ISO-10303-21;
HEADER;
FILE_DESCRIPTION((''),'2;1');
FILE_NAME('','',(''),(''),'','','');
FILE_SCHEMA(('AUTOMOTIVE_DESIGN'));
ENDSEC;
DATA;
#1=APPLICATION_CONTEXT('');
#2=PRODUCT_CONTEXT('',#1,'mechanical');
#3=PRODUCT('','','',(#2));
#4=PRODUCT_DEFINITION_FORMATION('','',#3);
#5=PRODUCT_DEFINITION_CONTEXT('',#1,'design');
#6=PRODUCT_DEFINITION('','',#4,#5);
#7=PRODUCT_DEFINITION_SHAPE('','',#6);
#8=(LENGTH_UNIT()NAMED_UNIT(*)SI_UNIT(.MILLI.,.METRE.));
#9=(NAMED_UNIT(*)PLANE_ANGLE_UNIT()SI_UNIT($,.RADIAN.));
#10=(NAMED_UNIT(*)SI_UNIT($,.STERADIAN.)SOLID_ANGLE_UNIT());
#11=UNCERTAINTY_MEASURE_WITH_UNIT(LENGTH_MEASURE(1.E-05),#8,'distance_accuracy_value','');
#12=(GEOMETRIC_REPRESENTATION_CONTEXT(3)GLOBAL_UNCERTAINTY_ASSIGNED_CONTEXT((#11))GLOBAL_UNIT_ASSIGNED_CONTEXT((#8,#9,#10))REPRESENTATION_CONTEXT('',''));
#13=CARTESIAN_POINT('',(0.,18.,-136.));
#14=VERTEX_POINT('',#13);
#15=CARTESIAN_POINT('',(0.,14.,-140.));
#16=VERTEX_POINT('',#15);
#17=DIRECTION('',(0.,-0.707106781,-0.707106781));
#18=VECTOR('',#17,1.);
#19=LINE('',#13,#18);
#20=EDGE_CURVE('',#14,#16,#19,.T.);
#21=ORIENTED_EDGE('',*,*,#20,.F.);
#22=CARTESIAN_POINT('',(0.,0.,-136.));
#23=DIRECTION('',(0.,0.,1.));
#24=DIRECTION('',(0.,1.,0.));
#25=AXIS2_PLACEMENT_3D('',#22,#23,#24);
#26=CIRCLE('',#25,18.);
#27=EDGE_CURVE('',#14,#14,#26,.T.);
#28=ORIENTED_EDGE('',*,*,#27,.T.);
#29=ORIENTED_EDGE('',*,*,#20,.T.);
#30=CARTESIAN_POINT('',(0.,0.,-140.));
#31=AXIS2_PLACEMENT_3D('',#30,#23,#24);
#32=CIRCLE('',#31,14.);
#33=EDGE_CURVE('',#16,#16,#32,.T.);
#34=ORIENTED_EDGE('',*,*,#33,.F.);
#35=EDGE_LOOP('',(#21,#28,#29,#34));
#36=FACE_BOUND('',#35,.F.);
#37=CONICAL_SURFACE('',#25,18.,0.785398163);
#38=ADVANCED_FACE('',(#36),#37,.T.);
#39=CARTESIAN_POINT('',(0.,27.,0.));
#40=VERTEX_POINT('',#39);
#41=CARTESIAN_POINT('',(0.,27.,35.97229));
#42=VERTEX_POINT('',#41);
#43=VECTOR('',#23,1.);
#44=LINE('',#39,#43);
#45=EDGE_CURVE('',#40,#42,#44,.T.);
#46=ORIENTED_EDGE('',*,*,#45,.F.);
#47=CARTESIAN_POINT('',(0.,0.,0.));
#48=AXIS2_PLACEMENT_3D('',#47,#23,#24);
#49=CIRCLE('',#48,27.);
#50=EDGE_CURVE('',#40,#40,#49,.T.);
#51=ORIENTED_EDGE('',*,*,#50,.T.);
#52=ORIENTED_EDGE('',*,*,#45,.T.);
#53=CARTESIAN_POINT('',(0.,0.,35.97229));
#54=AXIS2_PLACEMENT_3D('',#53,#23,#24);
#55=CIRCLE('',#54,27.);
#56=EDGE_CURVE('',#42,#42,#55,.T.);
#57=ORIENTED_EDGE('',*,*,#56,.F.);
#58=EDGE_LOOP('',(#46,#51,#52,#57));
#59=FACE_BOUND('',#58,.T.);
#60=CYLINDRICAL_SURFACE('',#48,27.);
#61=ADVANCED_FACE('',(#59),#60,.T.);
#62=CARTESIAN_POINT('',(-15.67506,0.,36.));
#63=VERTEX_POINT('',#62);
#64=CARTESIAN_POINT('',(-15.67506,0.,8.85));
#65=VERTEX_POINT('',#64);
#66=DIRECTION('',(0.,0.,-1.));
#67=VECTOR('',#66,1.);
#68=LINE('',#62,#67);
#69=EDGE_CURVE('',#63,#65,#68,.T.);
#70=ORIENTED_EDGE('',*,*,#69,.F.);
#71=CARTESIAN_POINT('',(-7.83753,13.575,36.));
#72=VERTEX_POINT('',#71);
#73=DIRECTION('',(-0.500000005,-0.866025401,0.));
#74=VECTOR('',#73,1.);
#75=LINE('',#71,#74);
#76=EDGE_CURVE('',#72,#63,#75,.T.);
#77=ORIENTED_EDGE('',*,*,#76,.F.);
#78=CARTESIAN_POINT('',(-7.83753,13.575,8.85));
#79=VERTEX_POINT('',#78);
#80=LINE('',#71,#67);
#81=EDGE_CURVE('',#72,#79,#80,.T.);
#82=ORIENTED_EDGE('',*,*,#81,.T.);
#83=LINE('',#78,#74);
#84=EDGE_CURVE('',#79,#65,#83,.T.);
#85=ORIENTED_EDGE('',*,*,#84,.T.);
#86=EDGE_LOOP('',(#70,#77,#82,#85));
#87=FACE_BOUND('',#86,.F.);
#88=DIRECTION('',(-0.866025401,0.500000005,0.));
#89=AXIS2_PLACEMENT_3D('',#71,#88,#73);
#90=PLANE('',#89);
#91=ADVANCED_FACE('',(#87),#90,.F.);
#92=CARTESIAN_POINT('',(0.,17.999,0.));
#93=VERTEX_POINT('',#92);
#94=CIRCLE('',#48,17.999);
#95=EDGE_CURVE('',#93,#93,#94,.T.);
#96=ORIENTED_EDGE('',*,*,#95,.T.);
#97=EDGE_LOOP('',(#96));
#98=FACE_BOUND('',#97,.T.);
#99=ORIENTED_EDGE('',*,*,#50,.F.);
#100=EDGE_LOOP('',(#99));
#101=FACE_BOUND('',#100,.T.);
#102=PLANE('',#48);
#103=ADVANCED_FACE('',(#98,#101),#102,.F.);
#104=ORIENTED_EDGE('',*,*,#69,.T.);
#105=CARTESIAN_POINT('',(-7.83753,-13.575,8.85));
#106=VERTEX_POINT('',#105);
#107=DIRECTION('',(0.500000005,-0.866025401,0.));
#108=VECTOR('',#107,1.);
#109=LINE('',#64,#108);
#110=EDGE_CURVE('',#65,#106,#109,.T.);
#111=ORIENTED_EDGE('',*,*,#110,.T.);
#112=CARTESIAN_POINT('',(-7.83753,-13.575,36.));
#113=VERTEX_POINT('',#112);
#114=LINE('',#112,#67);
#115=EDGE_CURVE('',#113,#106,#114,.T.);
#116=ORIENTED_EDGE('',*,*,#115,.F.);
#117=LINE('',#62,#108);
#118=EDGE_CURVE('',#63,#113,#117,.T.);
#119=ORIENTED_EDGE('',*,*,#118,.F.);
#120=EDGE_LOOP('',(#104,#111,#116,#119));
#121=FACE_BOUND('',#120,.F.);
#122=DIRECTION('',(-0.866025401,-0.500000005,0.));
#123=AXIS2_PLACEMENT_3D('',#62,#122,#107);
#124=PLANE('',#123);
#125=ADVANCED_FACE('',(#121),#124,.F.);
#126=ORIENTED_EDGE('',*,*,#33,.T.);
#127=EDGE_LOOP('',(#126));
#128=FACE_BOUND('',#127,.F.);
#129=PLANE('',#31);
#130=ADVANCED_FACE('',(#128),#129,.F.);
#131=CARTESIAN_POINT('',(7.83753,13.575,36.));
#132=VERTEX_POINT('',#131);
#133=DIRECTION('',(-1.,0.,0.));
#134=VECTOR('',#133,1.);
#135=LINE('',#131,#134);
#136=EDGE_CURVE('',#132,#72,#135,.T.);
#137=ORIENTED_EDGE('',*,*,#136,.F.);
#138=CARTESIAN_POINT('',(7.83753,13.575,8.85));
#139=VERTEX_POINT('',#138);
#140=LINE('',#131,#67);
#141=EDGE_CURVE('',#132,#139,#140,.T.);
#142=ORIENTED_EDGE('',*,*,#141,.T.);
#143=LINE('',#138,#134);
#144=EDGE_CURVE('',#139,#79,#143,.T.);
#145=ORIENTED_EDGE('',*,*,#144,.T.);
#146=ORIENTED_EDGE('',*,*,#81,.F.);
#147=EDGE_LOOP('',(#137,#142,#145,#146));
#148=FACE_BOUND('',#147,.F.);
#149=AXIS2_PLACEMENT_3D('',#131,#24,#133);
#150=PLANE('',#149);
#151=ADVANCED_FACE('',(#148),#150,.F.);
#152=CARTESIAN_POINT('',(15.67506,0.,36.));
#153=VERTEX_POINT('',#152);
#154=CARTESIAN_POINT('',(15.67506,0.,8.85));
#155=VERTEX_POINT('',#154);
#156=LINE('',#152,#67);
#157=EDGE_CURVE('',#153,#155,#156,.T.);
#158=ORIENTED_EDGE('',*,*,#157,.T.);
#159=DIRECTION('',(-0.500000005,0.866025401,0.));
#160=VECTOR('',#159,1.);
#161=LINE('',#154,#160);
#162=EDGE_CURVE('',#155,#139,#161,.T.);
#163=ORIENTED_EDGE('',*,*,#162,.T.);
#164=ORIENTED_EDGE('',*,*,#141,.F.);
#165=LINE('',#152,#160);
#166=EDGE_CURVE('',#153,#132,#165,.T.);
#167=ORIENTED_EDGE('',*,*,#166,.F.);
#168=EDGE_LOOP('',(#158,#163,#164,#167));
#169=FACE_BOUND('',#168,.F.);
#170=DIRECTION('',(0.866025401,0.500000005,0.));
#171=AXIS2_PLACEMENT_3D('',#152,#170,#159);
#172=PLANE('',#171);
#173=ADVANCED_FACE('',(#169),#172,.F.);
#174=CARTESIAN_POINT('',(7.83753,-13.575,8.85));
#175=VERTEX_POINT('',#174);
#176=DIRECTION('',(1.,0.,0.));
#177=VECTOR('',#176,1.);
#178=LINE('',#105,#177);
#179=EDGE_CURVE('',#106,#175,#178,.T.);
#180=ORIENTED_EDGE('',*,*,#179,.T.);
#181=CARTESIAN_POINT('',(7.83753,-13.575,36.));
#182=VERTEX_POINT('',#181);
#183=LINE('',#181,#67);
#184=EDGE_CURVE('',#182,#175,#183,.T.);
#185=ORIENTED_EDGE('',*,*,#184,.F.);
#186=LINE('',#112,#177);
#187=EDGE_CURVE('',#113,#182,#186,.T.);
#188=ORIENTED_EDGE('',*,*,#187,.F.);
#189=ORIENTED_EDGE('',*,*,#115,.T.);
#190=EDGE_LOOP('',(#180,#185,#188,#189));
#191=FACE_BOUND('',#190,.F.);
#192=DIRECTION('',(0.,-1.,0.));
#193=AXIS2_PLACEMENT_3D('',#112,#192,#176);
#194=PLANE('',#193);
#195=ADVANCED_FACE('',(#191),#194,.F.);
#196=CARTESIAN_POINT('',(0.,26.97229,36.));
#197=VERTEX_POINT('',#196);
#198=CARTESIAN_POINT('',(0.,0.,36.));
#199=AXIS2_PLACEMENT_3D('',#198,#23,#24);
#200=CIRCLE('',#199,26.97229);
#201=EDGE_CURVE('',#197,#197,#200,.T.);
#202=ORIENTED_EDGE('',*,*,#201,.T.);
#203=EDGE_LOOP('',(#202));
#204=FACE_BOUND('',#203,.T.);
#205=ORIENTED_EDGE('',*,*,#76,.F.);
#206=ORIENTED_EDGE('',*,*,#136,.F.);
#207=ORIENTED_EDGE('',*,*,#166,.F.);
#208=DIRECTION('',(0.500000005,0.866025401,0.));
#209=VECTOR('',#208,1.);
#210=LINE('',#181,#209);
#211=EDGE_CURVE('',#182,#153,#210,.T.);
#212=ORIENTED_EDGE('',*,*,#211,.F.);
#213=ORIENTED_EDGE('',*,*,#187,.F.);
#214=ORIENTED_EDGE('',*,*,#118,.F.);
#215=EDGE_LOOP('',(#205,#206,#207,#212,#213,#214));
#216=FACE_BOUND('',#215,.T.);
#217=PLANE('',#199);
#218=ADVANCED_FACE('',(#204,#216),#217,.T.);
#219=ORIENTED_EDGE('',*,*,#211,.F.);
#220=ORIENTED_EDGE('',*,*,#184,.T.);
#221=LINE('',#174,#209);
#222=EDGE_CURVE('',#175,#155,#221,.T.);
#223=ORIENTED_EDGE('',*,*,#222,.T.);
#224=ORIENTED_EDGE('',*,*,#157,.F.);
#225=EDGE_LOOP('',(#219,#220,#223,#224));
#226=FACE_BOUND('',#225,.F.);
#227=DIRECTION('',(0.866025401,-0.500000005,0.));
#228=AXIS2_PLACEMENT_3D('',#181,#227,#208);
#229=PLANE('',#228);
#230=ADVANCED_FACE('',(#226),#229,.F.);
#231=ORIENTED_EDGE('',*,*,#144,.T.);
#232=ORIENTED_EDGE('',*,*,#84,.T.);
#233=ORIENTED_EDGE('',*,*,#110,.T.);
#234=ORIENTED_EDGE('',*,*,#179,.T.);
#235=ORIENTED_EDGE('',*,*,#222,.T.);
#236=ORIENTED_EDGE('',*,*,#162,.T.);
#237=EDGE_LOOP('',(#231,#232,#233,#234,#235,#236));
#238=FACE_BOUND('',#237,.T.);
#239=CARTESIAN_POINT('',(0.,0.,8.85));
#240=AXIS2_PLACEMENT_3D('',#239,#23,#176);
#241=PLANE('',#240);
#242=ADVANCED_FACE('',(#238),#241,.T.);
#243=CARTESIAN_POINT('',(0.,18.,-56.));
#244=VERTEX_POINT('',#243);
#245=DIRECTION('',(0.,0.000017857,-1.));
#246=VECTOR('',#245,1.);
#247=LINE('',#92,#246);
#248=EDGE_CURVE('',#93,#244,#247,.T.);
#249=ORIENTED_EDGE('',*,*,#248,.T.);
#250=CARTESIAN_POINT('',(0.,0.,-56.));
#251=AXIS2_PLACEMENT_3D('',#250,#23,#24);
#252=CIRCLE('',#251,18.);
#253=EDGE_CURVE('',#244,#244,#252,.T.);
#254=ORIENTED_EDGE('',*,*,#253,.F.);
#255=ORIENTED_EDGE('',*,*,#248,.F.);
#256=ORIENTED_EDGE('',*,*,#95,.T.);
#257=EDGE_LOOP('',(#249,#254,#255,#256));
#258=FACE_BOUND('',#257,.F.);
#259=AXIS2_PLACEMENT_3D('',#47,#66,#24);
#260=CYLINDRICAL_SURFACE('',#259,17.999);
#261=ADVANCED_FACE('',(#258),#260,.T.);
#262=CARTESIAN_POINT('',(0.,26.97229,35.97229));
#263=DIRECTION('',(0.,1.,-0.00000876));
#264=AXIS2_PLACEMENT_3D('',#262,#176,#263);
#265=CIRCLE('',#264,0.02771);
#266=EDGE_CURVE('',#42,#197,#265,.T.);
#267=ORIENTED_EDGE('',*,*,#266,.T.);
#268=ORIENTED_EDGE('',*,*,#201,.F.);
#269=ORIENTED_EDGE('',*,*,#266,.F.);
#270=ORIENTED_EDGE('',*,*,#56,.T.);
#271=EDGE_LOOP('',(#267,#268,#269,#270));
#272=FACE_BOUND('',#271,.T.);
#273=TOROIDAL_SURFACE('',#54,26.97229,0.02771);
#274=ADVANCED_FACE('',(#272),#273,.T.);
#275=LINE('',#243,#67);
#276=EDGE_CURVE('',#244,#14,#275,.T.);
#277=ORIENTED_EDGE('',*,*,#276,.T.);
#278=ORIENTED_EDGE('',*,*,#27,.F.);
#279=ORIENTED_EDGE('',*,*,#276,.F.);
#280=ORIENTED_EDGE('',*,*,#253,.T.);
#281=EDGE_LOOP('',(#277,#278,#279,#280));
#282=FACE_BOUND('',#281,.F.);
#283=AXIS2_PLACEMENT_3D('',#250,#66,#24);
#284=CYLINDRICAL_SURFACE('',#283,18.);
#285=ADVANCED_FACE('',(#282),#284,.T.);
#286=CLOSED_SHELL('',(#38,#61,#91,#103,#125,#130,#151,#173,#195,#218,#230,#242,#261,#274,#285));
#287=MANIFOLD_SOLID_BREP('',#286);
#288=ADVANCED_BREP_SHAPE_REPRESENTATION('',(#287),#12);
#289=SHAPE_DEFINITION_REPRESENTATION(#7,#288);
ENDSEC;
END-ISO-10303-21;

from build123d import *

# Parameters (mm, degrees)
POCKET_DEPTH = 27.15


with BuildPart() as part:
    # Sketch → Revolve (revolve)
    with BuildSketch(Plane.YZ):
        with BuildLine():
            Line((17.999, 0), (27, 0))
            Line((27, 0), (27, 35.97229))
            ThreePointArc((27, 35.97229), (26.991884, 35.991884), (26.97229, 36))
            Line((26.97229, 36), (0, 36))
            Line((0, -140), (0, 36))
            Line((14, -140), (0, -140))
            Line((18, -136), (14, -140))
            Line((18, -56), (18, -136))
            Line((17.999, 0), (18, -56))
        make_face()
    revolve(axis=Axis((0, 0, 0), (0, 0, 1)))

    # Sketch001 → Pocket (cut)
    with BuildSketch(Plane.XY.offset(36)):
        Polygon((15.67506, 0), (7.83753, 13.575), (-7.83753, 13.575), (-15.67506, 0), (-7.83753, -13.575), (7.83753, -13.575), align=None)
    extrude(amount=-POCKET_DEPTH, mode=Mode.SUBTRACT)


solid = part.part
